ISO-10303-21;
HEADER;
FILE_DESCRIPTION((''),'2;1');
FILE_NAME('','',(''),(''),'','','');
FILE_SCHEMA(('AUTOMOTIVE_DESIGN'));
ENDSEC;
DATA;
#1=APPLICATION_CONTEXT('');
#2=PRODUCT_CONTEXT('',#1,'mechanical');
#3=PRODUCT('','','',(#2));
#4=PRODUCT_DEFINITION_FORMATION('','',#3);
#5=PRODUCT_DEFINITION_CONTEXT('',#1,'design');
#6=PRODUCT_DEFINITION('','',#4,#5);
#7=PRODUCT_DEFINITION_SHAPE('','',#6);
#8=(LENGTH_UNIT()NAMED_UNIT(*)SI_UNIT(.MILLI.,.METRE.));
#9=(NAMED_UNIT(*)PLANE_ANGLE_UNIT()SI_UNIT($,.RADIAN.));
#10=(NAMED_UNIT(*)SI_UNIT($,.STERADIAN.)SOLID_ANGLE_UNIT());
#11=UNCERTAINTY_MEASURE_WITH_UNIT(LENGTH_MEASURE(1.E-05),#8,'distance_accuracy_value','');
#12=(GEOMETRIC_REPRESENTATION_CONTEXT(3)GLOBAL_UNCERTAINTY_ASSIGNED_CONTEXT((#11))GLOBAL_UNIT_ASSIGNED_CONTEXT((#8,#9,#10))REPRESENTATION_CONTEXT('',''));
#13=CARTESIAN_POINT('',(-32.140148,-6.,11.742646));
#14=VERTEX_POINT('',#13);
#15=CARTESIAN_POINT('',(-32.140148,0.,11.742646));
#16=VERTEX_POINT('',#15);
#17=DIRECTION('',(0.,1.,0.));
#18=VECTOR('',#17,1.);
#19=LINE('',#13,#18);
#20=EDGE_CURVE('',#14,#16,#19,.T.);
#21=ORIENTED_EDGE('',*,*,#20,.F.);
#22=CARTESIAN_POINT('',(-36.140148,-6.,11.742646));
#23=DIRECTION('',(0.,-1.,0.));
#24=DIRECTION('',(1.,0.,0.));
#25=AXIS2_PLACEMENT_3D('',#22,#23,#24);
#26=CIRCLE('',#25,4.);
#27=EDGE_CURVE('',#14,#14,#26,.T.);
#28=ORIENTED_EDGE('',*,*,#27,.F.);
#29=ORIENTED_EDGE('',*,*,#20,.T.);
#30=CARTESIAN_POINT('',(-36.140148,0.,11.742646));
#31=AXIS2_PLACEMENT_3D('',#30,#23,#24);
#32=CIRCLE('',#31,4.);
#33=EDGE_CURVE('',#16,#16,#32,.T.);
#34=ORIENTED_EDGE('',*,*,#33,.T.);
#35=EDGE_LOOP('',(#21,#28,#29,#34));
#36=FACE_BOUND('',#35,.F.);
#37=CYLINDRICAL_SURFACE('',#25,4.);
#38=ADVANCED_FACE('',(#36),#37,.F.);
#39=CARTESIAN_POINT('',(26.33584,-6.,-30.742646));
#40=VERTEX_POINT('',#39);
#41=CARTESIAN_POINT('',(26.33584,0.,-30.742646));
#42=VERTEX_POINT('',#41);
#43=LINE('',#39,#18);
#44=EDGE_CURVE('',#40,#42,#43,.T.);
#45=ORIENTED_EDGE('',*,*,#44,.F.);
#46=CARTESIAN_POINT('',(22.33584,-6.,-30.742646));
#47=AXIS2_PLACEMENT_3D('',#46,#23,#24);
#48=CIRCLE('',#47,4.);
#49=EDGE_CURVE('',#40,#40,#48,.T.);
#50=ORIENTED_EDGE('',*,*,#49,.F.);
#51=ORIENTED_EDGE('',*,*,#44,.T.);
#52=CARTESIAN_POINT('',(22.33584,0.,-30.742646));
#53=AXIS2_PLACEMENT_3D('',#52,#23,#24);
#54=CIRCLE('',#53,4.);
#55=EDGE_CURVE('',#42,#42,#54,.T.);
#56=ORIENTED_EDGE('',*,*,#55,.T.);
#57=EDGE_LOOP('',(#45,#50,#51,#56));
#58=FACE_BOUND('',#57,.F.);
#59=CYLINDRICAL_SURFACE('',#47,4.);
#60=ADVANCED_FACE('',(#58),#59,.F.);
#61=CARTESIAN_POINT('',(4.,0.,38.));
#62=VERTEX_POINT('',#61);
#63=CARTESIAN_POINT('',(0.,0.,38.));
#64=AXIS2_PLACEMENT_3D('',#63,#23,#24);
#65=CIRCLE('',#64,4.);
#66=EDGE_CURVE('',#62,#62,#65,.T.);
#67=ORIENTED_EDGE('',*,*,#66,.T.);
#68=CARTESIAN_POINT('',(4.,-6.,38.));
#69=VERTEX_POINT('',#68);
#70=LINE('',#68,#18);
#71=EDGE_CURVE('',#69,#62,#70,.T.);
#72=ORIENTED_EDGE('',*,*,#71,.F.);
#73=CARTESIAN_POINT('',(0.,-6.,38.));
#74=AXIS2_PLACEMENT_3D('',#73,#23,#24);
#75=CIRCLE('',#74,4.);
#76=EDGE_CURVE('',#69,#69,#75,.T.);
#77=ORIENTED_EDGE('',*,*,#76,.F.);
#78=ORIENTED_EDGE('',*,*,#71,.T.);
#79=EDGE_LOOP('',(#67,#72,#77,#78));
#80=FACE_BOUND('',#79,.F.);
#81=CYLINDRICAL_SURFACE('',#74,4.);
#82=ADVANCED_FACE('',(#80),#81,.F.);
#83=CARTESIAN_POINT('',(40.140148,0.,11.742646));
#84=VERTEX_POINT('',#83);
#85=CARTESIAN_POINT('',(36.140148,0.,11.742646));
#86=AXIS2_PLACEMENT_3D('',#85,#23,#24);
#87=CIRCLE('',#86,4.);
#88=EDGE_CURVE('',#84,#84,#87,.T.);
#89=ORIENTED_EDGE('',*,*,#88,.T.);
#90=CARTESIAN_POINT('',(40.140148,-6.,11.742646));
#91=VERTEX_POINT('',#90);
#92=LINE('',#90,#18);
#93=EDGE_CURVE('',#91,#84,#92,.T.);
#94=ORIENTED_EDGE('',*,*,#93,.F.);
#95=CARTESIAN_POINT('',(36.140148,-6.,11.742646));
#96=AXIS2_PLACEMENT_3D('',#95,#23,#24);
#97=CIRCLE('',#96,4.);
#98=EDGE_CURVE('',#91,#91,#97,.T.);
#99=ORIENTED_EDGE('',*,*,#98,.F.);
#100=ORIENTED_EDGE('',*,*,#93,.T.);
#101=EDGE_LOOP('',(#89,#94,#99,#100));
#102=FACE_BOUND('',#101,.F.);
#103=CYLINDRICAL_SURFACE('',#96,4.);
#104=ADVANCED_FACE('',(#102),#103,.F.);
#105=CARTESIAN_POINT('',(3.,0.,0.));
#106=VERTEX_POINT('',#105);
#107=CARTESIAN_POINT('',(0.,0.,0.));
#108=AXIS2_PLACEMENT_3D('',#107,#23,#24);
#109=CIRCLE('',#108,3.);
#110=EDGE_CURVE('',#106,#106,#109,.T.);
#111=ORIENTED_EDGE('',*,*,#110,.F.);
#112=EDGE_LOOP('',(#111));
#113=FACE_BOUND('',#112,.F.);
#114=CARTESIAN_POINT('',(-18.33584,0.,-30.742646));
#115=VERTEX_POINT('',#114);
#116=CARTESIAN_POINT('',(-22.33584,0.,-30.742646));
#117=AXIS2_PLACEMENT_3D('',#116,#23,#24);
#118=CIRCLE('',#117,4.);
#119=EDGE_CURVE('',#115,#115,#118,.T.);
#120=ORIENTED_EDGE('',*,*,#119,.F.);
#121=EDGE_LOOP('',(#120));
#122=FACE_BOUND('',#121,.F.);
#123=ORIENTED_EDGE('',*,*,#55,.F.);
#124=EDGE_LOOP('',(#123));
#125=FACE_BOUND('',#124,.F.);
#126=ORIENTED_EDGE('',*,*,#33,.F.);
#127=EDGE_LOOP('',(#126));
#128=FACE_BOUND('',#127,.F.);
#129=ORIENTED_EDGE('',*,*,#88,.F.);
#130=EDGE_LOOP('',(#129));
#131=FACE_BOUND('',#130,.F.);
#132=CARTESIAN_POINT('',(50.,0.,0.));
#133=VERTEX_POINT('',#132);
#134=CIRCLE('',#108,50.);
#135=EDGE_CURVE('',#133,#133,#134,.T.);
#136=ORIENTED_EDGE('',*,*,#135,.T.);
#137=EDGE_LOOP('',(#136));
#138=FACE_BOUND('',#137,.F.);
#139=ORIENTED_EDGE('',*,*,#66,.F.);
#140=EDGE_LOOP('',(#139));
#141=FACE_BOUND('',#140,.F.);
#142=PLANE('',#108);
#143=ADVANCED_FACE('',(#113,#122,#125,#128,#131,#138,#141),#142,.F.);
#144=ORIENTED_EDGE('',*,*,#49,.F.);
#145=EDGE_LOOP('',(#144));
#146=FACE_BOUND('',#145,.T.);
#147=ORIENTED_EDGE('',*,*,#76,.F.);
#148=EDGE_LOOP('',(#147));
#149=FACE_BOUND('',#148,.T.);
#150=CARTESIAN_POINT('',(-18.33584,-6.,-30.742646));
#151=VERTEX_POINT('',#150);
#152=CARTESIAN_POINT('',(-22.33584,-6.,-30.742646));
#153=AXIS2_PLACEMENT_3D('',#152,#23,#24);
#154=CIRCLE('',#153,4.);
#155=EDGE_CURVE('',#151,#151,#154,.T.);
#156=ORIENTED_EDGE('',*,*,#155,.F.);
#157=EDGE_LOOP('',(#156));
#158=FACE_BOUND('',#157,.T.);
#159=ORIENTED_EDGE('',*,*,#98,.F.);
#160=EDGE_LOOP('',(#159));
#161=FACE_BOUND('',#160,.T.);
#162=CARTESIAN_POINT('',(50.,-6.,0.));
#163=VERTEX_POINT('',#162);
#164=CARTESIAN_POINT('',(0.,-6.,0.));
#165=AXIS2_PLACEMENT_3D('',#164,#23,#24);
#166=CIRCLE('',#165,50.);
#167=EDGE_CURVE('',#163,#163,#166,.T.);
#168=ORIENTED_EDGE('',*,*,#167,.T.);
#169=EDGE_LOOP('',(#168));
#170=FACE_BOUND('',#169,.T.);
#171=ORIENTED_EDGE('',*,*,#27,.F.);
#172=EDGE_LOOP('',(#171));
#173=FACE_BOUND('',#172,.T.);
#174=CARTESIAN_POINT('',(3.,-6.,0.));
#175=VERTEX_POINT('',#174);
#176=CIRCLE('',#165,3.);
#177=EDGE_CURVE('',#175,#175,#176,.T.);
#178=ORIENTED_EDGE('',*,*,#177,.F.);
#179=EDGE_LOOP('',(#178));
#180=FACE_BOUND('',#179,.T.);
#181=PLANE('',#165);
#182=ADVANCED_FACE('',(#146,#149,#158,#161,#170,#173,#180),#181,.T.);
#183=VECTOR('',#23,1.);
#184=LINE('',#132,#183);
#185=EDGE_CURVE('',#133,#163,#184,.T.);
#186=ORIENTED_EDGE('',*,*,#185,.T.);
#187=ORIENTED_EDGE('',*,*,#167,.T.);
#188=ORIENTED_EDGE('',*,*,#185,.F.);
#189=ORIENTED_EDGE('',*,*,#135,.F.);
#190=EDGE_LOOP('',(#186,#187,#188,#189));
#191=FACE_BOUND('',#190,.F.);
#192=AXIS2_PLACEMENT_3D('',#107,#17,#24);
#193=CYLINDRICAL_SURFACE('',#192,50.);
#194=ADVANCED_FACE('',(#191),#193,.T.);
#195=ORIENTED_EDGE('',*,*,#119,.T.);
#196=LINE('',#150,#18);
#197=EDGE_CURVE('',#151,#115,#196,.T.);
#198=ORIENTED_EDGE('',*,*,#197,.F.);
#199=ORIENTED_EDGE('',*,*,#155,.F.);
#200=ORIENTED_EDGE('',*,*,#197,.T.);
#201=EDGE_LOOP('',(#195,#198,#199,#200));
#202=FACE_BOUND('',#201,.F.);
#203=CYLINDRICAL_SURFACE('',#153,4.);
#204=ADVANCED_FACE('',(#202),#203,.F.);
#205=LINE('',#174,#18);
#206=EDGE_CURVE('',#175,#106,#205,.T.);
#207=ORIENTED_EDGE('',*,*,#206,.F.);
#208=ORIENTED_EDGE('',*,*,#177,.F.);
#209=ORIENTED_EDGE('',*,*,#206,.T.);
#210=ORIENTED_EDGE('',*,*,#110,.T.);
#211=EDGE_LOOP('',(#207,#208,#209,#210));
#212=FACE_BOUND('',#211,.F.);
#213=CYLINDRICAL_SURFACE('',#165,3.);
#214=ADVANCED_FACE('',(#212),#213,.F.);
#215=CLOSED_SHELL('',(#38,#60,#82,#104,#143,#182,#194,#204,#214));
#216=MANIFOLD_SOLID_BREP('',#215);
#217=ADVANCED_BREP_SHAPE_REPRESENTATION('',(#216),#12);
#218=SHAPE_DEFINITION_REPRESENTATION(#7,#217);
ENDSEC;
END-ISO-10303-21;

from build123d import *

# Parameters (mm, degrees)
F0_R     = 50
F1_DEPTH = 6
F2_R     = 3
F3_DEPTH = 6.001
F4_R     = 4
F5_DEPTH = 6.001


with BuildPart() as f1:
    # F0 (on Front) → F1 (new body)
    with BuildSketch(Plane.XZ):
        Circle(F0_R)
    extrude(amount=F1_DEPTH)

    # F2 (on face) → F3 (cut, through all)
    with BuildSketch(Plane.XZ.offset(6)):
        Circle(F2_R)
    extrude(amount=-F3_DEPTH, mode=Mode.SUBTRACT)

    # F4 (on face) → F5 (cut, through all)
    with BuildSketch(Plane.XZ.offset(6)):
        with Locations((0, 38)):
            Circle(F4_R)
        with Locations((-22.33584, -30.742646)):
            Circle(F4_R)
        with Locations((-36.140148, 11.742646)):
            Circle(F4_R)
        with Locations((22.33584, -30.742646)):
            Circle(F4_R)
        with Locations((36.140148, 11.742646)):
            Circle(F4_R)
    extrude(amount=-F5_DEPTH, mode=Mode.SUBTRACT)


solid = f1.part
